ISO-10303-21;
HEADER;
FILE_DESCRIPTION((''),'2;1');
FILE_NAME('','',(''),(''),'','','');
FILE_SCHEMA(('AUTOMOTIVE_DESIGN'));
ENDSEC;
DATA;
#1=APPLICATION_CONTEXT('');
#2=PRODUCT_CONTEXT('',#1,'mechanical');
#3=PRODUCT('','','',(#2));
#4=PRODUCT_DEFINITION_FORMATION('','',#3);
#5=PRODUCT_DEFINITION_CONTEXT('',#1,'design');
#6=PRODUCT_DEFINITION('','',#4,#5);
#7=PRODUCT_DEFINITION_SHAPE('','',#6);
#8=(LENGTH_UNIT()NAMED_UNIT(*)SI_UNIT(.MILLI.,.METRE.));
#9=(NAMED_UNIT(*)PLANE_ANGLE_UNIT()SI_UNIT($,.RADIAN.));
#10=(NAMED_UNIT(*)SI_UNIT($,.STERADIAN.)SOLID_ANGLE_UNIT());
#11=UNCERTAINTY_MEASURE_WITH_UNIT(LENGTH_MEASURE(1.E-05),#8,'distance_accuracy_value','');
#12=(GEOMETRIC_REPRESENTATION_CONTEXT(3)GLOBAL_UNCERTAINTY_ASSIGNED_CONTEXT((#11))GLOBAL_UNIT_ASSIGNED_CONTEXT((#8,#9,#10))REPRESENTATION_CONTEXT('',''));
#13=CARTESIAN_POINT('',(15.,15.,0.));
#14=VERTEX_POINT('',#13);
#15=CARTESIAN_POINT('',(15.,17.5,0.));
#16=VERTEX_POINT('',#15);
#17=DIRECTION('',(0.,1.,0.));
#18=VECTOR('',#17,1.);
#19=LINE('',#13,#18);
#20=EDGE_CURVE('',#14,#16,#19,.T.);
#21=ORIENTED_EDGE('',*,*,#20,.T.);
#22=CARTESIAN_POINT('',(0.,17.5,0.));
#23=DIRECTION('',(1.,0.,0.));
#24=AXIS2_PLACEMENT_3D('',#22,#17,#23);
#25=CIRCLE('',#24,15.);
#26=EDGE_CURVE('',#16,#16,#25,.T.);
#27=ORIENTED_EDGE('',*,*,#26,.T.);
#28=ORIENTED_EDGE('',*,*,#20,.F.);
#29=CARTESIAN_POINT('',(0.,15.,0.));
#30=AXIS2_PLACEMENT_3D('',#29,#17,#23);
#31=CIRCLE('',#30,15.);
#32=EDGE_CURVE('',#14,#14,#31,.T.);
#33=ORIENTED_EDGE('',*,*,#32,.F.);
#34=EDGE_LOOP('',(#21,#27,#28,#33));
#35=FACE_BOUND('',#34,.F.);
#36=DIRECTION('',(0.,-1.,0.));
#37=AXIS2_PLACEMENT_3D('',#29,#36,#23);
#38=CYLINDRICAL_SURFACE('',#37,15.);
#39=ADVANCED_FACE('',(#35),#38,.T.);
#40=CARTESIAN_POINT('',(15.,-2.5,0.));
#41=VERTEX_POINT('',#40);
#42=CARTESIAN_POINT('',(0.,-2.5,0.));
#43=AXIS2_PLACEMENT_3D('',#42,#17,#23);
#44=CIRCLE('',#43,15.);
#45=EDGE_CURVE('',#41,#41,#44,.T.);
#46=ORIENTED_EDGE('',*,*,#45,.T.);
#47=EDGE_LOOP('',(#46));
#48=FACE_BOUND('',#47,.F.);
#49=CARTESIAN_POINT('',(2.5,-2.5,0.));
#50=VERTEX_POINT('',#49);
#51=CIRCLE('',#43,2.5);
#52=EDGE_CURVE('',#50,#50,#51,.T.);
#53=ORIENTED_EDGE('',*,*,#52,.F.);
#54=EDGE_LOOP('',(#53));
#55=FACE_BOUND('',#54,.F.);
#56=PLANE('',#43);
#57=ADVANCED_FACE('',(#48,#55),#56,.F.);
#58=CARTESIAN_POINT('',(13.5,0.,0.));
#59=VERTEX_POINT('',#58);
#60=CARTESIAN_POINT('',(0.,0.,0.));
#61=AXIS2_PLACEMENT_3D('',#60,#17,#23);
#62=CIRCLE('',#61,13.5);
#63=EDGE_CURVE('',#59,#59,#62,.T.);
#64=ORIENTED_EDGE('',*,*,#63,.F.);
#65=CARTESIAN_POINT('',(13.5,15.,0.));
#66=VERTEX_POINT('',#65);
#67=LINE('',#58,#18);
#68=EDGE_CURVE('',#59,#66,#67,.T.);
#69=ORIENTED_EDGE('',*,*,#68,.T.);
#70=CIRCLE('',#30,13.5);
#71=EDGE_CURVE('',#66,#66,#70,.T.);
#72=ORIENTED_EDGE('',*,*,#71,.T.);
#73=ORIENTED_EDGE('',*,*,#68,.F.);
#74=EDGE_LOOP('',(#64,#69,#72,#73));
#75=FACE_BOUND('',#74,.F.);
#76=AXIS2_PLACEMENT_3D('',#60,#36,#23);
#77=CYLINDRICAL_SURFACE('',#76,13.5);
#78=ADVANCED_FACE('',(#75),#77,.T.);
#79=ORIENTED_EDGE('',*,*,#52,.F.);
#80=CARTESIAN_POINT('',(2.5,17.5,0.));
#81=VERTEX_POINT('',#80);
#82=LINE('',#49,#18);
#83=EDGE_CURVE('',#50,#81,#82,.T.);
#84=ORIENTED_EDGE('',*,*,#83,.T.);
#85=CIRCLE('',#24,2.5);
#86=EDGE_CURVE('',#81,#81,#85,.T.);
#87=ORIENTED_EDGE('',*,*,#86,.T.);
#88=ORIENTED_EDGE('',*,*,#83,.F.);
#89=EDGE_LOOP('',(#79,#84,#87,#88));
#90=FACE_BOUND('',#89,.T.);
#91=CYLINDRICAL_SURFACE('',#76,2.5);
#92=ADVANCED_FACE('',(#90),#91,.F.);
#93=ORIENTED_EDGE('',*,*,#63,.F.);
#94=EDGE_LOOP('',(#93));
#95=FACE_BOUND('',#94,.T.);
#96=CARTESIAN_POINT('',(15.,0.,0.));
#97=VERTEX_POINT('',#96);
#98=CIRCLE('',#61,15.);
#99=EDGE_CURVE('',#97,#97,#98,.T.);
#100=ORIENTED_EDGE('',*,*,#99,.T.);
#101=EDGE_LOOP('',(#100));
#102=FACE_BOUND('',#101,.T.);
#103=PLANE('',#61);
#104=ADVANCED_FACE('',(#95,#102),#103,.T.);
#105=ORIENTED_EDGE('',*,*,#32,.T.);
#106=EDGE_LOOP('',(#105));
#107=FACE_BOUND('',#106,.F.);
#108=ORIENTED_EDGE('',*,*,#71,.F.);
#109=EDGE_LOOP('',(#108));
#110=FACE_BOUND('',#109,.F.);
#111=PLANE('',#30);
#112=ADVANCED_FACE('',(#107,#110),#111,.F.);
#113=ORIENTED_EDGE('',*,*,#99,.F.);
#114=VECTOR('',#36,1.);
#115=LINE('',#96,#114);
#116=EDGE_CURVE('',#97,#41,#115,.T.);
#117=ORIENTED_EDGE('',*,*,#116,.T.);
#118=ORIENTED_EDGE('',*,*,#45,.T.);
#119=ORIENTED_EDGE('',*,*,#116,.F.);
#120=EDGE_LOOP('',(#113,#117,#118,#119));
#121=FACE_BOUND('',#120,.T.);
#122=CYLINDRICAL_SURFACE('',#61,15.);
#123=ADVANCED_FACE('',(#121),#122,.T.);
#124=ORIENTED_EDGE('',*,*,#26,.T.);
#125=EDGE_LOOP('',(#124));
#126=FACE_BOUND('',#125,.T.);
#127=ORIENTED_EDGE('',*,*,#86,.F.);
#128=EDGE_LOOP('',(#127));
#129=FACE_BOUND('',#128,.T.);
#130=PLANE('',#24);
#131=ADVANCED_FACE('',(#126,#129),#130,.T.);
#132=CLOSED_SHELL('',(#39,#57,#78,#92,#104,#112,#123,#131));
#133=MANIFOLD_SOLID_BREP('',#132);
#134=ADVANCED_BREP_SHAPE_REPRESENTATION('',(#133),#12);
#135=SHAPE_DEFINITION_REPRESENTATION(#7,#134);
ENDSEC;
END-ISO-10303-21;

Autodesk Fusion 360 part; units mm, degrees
sketch "Sketch1" plane through (0, 0, 0) normal (0, 1, 0) x (1, 0, 0)
  circle A0 centre (0, 0) radius 2.5
  circle A1 centre (0, 0) radius 13.5
  circle A2 centre (0, 0) radius 15
  dimension "d1" = 5
  dimension "d2" = 27
extrude "Extrude1" add sketch "Sketch1" against normal blind 2.5 contours A1 | A2
extrude "Extrude2" add sketch "Sketch1" along normal blind 15 contours A1
extrude "Extrude3" add sketch "Sketch1" along normal blind 2.5 from surface at 15 contours A1 | A2
